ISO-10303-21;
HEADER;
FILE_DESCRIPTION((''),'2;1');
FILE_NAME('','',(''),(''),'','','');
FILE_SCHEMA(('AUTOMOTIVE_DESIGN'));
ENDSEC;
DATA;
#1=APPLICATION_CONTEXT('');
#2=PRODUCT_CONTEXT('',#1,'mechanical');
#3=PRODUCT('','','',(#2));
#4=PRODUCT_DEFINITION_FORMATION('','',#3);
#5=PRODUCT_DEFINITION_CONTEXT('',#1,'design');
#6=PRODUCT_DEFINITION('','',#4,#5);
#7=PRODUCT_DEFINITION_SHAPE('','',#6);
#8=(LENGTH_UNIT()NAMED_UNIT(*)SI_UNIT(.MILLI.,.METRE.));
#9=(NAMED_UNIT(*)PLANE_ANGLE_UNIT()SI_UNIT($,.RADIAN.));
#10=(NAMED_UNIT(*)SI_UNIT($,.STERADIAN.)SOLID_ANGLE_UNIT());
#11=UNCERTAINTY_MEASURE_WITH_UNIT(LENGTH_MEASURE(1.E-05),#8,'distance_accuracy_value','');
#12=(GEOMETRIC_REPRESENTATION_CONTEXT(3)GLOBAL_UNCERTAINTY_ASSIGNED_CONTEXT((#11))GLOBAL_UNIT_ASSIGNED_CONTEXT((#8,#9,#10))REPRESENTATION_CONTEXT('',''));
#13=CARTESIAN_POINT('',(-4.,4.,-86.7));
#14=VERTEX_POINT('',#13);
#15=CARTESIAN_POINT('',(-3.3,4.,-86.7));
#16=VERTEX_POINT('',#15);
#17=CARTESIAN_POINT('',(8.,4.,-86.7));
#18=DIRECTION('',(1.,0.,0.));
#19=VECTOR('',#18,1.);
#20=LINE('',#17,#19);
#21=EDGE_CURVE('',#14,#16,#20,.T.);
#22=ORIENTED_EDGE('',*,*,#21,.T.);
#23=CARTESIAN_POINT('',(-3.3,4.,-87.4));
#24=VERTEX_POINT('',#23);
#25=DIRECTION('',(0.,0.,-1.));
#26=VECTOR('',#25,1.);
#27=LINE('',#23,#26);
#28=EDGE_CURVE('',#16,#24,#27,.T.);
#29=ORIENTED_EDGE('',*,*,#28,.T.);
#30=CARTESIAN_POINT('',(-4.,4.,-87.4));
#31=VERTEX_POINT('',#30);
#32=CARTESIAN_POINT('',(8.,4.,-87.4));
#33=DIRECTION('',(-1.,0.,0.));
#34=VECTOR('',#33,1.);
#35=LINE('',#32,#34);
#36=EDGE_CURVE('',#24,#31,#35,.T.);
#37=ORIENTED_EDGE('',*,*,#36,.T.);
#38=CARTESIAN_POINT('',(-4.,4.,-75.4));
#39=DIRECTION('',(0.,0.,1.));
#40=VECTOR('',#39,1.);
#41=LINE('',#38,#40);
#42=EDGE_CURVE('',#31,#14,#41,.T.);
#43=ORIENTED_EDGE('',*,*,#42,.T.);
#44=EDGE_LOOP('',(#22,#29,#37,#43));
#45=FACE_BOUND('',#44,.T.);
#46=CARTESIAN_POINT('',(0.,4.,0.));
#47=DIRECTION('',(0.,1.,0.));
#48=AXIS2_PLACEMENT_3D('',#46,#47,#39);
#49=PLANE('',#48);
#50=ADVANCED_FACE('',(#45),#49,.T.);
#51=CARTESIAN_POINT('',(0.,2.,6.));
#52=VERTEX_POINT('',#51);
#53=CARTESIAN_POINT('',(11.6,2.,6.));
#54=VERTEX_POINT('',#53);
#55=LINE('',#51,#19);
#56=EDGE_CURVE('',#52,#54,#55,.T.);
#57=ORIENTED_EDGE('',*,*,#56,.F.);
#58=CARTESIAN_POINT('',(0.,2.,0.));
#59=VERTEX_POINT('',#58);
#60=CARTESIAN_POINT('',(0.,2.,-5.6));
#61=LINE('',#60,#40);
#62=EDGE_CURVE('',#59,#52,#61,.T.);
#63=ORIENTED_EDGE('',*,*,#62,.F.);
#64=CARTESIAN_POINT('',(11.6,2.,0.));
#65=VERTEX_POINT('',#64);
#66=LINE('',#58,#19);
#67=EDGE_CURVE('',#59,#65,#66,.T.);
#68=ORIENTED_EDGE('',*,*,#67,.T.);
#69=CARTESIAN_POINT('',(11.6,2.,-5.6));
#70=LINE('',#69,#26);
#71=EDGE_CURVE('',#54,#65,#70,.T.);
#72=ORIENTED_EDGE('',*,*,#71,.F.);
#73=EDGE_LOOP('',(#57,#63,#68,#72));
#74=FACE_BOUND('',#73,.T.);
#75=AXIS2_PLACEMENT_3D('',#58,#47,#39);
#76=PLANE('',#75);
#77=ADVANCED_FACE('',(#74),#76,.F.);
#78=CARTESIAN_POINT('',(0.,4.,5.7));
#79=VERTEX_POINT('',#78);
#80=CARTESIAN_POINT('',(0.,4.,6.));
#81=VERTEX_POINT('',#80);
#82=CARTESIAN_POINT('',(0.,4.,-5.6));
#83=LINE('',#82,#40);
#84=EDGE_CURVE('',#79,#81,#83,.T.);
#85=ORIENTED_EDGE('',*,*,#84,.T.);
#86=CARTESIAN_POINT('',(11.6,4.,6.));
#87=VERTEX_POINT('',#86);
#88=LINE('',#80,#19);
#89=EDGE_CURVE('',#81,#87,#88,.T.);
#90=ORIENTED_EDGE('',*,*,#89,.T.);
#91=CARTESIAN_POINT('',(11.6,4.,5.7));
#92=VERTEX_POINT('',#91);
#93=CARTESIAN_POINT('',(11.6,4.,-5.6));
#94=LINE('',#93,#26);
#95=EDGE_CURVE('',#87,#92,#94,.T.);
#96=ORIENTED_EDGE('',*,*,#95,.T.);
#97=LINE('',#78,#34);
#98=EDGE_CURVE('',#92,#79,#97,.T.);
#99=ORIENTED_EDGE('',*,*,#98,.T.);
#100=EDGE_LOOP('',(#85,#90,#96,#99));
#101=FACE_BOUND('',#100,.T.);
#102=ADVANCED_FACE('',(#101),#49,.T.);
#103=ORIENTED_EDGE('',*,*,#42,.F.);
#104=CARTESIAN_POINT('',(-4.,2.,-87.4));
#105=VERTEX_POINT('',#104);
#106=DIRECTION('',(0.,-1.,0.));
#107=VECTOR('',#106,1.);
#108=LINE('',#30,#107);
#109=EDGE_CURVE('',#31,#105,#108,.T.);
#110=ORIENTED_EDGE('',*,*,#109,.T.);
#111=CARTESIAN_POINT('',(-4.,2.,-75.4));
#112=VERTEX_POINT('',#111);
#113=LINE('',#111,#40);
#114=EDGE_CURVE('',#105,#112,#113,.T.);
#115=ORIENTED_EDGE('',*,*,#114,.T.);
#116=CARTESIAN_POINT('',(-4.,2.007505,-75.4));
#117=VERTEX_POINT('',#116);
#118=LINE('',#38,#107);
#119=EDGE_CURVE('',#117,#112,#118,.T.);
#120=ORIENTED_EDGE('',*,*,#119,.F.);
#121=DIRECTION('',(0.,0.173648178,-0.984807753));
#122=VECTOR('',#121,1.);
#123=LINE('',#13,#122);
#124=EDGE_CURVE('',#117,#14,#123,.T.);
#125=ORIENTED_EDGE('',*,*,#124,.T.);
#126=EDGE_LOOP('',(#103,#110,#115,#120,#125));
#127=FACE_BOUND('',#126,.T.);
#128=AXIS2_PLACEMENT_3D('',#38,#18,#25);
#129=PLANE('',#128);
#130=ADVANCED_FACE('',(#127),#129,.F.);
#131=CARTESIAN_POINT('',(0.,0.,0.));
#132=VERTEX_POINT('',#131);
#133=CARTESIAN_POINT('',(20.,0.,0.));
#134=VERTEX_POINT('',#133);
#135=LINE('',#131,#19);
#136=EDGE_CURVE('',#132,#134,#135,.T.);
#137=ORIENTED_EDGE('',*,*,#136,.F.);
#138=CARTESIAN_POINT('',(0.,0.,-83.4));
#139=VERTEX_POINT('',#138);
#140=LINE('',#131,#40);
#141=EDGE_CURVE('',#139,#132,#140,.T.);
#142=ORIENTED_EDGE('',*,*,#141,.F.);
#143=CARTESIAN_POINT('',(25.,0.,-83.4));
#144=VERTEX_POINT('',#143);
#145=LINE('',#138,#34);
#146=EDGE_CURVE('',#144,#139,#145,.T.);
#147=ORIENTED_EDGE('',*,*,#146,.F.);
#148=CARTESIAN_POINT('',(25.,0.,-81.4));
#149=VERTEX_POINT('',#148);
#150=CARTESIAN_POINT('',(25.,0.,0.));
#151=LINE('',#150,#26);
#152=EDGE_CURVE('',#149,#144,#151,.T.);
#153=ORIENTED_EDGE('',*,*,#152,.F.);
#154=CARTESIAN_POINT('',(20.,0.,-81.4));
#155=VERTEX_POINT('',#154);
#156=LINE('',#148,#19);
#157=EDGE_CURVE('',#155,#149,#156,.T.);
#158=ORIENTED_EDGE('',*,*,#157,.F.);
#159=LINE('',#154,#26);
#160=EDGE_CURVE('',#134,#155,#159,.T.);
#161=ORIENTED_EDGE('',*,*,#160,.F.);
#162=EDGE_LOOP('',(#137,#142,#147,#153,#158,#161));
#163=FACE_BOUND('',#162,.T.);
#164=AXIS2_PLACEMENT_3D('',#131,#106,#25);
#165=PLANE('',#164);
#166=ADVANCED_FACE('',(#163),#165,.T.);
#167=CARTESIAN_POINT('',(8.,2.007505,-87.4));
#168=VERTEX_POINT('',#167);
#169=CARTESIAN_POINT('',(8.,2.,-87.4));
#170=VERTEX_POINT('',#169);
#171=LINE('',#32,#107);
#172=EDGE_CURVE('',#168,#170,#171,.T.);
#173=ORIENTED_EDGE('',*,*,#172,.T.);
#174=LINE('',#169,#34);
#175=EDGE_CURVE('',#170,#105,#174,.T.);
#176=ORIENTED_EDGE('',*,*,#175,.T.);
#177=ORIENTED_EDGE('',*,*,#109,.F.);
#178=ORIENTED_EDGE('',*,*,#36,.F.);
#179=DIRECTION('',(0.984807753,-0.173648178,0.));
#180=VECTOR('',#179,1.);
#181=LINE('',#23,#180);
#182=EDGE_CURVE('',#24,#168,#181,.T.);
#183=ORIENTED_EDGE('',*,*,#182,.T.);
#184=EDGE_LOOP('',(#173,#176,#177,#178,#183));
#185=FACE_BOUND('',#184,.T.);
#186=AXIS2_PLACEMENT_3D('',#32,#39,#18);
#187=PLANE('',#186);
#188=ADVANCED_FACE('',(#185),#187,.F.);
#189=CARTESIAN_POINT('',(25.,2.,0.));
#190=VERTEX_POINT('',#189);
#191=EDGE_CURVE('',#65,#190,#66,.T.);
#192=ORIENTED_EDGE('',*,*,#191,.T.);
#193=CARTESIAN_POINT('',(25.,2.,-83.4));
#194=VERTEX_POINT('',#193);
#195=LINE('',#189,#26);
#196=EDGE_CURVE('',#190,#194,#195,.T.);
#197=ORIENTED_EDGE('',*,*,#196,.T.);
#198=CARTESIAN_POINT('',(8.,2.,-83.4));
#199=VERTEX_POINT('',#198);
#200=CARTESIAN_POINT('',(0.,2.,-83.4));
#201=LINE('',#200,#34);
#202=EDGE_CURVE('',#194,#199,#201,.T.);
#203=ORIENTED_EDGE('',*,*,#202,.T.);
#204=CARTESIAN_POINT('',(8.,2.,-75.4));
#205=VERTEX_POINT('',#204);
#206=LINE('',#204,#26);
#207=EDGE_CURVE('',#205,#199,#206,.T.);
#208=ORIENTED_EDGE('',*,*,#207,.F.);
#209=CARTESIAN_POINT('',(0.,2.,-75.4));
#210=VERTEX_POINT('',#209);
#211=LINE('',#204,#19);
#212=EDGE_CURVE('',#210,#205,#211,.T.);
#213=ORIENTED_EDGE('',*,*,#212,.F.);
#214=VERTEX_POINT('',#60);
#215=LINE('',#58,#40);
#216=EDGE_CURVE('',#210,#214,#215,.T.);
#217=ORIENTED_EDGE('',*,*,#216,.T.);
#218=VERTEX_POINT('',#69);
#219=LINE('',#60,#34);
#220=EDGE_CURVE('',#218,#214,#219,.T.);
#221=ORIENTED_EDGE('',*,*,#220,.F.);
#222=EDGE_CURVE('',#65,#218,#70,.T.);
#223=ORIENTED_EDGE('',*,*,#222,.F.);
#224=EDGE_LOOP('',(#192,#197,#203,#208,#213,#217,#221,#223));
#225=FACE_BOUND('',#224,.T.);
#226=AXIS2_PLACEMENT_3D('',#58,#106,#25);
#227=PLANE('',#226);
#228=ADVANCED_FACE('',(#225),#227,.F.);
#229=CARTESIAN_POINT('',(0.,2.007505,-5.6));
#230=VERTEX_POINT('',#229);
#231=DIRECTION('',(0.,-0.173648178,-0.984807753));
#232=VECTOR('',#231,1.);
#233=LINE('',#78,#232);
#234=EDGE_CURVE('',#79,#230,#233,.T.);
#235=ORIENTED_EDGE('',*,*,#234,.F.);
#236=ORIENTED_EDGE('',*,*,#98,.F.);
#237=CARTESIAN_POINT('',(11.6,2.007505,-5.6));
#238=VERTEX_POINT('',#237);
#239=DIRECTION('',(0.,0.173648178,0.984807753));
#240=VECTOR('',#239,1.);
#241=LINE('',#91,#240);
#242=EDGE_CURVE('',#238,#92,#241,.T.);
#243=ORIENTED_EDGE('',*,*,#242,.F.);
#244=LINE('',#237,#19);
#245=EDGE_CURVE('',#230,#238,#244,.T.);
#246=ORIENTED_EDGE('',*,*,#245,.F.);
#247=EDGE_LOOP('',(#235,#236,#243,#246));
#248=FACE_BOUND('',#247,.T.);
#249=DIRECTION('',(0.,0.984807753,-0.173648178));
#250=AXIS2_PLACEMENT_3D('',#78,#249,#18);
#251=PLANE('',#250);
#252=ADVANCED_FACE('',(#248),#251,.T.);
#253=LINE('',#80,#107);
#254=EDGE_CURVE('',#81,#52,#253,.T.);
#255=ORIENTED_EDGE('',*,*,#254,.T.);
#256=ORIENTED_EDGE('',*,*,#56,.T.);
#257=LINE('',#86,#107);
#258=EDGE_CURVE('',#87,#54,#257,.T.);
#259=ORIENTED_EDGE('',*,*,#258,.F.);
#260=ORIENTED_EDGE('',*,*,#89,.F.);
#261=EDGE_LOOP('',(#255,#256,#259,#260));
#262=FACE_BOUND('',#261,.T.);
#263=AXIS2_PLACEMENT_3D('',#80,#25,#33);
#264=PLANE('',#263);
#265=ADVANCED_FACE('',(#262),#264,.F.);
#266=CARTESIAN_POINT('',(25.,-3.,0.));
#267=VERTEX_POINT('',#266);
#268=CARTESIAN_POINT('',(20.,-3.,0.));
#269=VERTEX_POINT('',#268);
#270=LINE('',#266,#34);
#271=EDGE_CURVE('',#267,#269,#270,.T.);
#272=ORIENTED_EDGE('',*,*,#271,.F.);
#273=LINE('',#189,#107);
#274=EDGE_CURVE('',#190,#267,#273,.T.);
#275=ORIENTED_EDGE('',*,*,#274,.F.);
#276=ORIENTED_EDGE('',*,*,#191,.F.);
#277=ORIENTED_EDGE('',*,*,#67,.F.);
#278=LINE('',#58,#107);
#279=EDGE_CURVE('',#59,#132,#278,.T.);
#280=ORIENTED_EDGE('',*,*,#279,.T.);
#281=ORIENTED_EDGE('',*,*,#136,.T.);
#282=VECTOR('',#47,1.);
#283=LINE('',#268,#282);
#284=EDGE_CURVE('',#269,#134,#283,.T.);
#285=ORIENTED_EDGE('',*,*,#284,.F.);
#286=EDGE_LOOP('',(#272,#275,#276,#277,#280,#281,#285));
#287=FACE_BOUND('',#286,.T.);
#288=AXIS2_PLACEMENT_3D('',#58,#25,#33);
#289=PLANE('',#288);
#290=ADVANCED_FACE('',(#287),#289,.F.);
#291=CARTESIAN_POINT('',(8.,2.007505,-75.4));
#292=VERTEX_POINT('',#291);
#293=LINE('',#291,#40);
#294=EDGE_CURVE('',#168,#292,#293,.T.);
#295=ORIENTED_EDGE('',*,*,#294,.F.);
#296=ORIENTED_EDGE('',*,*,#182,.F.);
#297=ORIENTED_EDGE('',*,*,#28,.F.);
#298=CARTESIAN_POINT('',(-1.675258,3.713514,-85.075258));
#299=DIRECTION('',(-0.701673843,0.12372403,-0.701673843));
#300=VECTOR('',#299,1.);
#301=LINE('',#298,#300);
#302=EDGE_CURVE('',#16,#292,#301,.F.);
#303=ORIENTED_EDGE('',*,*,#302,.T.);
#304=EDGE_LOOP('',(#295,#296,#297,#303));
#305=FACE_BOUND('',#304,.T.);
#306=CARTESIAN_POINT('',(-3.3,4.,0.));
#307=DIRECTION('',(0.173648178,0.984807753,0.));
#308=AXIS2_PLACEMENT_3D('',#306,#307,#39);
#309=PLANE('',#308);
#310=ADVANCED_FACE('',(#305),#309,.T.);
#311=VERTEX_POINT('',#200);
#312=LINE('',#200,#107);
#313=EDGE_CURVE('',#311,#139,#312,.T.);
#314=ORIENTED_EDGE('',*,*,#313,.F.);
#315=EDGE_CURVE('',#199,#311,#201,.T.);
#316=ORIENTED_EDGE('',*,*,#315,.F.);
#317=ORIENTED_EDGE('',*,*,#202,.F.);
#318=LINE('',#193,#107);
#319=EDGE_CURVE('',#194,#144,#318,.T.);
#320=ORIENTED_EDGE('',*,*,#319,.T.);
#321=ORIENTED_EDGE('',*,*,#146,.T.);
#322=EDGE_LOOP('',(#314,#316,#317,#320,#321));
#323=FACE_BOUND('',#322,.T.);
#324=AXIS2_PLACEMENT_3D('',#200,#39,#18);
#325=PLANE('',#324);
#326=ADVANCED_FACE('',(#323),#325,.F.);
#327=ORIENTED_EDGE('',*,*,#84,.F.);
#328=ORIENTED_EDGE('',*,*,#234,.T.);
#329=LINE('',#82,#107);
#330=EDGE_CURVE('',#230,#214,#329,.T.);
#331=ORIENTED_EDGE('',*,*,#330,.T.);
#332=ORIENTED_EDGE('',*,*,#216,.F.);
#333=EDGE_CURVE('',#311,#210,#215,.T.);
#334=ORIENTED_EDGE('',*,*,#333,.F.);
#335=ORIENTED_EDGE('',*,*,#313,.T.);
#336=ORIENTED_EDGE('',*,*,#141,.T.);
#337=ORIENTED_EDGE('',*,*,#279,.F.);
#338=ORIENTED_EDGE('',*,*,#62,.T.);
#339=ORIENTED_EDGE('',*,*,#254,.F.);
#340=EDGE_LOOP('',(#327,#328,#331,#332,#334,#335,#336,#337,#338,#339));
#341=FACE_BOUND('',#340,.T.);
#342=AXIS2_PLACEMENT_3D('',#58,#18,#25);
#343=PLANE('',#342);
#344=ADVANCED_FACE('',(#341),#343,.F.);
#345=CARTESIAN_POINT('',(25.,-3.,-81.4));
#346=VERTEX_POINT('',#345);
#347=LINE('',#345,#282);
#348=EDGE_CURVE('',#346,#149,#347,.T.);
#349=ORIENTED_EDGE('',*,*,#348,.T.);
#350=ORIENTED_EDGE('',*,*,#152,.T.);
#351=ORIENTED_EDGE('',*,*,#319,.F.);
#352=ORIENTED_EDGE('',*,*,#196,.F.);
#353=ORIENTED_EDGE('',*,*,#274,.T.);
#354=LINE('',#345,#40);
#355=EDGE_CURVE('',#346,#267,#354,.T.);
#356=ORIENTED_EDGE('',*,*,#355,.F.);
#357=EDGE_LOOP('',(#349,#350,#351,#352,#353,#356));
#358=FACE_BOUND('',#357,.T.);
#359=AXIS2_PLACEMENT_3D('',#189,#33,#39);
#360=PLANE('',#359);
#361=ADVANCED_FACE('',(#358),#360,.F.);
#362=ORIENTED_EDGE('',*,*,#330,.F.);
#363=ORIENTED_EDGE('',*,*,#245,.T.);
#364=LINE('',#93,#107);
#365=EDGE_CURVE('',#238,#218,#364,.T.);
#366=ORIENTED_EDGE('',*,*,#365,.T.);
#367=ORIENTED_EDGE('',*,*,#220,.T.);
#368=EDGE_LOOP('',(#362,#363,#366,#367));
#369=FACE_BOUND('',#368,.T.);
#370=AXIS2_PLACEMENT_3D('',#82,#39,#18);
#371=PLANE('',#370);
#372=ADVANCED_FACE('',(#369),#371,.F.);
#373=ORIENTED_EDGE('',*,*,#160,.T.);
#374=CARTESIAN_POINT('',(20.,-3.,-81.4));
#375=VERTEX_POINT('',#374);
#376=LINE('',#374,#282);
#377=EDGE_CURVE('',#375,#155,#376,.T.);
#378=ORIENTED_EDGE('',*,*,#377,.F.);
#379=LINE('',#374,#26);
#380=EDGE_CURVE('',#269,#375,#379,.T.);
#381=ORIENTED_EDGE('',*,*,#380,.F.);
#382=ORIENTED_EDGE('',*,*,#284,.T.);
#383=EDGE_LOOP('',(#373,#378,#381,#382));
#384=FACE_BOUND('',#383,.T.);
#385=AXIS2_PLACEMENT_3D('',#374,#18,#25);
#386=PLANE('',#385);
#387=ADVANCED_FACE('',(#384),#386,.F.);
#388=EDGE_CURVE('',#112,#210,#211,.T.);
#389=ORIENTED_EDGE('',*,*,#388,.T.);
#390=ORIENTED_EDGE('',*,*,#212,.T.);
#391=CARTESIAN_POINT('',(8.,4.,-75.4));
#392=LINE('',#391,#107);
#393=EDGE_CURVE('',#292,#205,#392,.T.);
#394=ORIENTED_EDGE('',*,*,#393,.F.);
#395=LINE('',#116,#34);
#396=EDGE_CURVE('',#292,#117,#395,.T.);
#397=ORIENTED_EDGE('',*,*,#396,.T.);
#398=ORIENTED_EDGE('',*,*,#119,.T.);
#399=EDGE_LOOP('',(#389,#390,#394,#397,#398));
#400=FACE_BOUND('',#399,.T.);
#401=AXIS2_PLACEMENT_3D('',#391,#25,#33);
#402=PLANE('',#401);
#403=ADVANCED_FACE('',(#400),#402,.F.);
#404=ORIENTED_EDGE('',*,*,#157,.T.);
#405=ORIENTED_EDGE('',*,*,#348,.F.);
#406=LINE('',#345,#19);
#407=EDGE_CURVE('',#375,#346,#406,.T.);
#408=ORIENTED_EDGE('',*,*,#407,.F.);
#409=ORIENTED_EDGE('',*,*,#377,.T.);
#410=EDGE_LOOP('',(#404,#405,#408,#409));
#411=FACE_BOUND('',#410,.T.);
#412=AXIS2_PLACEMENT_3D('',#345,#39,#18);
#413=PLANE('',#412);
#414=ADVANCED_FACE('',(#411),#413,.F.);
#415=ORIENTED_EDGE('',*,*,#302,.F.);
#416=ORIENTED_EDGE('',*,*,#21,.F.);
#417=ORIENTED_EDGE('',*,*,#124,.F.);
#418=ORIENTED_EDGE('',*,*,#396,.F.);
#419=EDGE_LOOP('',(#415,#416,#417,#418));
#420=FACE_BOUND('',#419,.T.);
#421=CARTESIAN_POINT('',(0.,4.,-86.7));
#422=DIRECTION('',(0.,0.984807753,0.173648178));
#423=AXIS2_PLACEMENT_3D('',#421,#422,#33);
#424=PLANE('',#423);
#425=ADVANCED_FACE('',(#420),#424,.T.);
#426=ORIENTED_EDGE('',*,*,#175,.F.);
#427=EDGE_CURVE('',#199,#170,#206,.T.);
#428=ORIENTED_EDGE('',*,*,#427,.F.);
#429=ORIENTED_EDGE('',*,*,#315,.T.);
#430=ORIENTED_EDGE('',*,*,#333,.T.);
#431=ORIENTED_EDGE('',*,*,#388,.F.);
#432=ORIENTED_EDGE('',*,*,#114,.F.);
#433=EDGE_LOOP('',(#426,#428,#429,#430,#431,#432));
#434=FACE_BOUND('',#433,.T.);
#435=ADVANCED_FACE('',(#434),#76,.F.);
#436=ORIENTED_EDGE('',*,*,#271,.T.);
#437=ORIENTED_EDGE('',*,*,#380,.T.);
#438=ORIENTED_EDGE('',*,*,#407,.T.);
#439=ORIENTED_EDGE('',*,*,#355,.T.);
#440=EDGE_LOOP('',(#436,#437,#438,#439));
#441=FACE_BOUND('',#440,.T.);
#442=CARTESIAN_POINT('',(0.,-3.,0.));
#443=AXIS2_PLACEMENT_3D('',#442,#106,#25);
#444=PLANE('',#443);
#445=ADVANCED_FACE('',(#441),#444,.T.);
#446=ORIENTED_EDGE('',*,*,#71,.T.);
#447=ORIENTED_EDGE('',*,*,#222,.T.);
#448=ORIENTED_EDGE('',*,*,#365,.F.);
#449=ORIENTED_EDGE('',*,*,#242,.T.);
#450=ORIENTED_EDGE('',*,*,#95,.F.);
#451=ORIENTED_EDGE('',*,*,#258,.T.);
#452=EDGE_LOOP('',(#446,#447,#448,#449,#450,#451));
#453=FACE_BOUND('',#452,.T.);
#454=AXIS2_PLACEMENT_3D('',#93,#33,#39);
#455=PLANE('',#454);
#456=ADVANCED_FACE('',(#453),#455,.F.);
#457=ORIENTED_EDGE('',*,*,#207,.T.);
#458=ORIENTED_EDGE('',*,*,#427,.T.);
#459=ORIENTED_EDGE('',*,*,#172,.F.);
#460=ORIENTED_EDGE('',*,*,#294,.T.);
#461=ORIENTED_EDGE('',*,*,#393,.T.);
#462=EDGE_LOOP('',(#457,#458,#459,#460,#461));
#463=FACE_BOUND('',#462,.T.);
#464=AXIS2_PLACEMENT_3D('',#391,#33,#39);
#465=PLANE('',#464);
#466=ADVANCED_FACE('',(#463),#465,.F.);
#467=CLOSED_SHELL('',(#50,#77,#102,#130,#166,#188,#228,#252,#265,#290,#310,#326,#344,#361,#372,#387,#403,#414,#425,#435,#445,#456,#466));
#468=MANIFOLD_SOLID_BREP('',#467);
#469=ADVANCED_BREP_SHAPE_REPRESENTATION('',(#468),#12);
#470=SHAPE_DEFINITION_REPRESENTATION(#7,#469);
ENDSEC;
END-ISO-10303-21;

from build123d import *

# Parameters (mm, degrees)
SKETCH1_W             = 25
SKETCH1_H             = 83.4
BOSS_EXTRUDE1_DEPTH   = 2
SKETCH2_W             = 11.6
SKETCH2_H             = 11.6
SKETCH2_W_2           = 12
SKETCH2_H_2           = 12
BOSS_EXTRUDE2_DEPTH   = 2
CHAMFER1_SIZE         = 11.3
CHAMFER1_SIZE2        = 1.992494882
CHAMFER1_PART_2_SIZE  = 11.3
CHAMFER1_PART_2_SIZE2 = 1.992494882
SKETCH4_W             = 5
SKETCH4_H             = 81.4
BOSS_EXTRUDE3_DEPTH   = 3


with BuildPart() as part:
    # Sketch1 → Boss-Extrude1 (new body)
    with BuildSketch(Plane(origin=(0, 0, 0), x_dir=(1, 0, 0), z_dir=(0, 1, 0))):
        with Locations((12.5, 41.7)):
            Rectangle(SKETCH1_W, SKETCH1_H)
    extrude(amount=BOSS_EXTRUDE1_DEPTH)

    # Sketch2 → Boss-Extrude2 (add)
    with BuildSketch(Plane(origin=(0, 2, 0), x_dir=(1, 0, 0), z_dir=(0, 1, 0))):
        with Locations((5.8, -0.2)):
            Rectangle(SKETCH2_W, SKETCH2_H)
        with Locations((2, 81.4)):
            Rectangle(SKETCH2_W_2, SKETCH2_H_2)
    extrude(amount=BOSS_EXTRUDE2_DEPTH)

    # Chamfer1
    chamfer1_edges = [part.edges().sort_by_distance(p)[0] for p in [
        (5.8, 4, -5.6),
    ]]
    chamfer1_side = [part.faces().sort_by_distance(p)[0] for p in [
        (5.8, 4, 0.2),
    ]]
    chamfer(chamfer1_edges, length=CHAMFER1_SIZE, length2=CHAMFER1_SIZE2, reference=chamfer1_side[0])

    # Chamfer1 part 2
    chamfer1_part_2_edges = [part.edges().sort_by_distance(p)[0] for p in [
        (8, 4, -81.4),
        (2, 4, -75.4),
    ]]
    chamfer1_part_2_side = [part.faces().sort_by_distance(p)[0] for p in [
        (2, 4, -81.4),
    ]]
    chamfer(chamfer1_part_2_edges, length=CHAMFER1_PART_2_SIZE, length2=CHAMFER1_PART_2_SIZE2, reference=chamfer1_part_2_side[0])

    # Sketch4 → Boss-Extrude3 (add)
    with BuildSketch(Plane.XZ):
        with Locations((22.5, -40.7)):
            Rectangle(SKETCH4_W, SKETCH4_H)
    extrude(amount=BOSS_EXTRUDE3_DEPTH)


solid = part.part
